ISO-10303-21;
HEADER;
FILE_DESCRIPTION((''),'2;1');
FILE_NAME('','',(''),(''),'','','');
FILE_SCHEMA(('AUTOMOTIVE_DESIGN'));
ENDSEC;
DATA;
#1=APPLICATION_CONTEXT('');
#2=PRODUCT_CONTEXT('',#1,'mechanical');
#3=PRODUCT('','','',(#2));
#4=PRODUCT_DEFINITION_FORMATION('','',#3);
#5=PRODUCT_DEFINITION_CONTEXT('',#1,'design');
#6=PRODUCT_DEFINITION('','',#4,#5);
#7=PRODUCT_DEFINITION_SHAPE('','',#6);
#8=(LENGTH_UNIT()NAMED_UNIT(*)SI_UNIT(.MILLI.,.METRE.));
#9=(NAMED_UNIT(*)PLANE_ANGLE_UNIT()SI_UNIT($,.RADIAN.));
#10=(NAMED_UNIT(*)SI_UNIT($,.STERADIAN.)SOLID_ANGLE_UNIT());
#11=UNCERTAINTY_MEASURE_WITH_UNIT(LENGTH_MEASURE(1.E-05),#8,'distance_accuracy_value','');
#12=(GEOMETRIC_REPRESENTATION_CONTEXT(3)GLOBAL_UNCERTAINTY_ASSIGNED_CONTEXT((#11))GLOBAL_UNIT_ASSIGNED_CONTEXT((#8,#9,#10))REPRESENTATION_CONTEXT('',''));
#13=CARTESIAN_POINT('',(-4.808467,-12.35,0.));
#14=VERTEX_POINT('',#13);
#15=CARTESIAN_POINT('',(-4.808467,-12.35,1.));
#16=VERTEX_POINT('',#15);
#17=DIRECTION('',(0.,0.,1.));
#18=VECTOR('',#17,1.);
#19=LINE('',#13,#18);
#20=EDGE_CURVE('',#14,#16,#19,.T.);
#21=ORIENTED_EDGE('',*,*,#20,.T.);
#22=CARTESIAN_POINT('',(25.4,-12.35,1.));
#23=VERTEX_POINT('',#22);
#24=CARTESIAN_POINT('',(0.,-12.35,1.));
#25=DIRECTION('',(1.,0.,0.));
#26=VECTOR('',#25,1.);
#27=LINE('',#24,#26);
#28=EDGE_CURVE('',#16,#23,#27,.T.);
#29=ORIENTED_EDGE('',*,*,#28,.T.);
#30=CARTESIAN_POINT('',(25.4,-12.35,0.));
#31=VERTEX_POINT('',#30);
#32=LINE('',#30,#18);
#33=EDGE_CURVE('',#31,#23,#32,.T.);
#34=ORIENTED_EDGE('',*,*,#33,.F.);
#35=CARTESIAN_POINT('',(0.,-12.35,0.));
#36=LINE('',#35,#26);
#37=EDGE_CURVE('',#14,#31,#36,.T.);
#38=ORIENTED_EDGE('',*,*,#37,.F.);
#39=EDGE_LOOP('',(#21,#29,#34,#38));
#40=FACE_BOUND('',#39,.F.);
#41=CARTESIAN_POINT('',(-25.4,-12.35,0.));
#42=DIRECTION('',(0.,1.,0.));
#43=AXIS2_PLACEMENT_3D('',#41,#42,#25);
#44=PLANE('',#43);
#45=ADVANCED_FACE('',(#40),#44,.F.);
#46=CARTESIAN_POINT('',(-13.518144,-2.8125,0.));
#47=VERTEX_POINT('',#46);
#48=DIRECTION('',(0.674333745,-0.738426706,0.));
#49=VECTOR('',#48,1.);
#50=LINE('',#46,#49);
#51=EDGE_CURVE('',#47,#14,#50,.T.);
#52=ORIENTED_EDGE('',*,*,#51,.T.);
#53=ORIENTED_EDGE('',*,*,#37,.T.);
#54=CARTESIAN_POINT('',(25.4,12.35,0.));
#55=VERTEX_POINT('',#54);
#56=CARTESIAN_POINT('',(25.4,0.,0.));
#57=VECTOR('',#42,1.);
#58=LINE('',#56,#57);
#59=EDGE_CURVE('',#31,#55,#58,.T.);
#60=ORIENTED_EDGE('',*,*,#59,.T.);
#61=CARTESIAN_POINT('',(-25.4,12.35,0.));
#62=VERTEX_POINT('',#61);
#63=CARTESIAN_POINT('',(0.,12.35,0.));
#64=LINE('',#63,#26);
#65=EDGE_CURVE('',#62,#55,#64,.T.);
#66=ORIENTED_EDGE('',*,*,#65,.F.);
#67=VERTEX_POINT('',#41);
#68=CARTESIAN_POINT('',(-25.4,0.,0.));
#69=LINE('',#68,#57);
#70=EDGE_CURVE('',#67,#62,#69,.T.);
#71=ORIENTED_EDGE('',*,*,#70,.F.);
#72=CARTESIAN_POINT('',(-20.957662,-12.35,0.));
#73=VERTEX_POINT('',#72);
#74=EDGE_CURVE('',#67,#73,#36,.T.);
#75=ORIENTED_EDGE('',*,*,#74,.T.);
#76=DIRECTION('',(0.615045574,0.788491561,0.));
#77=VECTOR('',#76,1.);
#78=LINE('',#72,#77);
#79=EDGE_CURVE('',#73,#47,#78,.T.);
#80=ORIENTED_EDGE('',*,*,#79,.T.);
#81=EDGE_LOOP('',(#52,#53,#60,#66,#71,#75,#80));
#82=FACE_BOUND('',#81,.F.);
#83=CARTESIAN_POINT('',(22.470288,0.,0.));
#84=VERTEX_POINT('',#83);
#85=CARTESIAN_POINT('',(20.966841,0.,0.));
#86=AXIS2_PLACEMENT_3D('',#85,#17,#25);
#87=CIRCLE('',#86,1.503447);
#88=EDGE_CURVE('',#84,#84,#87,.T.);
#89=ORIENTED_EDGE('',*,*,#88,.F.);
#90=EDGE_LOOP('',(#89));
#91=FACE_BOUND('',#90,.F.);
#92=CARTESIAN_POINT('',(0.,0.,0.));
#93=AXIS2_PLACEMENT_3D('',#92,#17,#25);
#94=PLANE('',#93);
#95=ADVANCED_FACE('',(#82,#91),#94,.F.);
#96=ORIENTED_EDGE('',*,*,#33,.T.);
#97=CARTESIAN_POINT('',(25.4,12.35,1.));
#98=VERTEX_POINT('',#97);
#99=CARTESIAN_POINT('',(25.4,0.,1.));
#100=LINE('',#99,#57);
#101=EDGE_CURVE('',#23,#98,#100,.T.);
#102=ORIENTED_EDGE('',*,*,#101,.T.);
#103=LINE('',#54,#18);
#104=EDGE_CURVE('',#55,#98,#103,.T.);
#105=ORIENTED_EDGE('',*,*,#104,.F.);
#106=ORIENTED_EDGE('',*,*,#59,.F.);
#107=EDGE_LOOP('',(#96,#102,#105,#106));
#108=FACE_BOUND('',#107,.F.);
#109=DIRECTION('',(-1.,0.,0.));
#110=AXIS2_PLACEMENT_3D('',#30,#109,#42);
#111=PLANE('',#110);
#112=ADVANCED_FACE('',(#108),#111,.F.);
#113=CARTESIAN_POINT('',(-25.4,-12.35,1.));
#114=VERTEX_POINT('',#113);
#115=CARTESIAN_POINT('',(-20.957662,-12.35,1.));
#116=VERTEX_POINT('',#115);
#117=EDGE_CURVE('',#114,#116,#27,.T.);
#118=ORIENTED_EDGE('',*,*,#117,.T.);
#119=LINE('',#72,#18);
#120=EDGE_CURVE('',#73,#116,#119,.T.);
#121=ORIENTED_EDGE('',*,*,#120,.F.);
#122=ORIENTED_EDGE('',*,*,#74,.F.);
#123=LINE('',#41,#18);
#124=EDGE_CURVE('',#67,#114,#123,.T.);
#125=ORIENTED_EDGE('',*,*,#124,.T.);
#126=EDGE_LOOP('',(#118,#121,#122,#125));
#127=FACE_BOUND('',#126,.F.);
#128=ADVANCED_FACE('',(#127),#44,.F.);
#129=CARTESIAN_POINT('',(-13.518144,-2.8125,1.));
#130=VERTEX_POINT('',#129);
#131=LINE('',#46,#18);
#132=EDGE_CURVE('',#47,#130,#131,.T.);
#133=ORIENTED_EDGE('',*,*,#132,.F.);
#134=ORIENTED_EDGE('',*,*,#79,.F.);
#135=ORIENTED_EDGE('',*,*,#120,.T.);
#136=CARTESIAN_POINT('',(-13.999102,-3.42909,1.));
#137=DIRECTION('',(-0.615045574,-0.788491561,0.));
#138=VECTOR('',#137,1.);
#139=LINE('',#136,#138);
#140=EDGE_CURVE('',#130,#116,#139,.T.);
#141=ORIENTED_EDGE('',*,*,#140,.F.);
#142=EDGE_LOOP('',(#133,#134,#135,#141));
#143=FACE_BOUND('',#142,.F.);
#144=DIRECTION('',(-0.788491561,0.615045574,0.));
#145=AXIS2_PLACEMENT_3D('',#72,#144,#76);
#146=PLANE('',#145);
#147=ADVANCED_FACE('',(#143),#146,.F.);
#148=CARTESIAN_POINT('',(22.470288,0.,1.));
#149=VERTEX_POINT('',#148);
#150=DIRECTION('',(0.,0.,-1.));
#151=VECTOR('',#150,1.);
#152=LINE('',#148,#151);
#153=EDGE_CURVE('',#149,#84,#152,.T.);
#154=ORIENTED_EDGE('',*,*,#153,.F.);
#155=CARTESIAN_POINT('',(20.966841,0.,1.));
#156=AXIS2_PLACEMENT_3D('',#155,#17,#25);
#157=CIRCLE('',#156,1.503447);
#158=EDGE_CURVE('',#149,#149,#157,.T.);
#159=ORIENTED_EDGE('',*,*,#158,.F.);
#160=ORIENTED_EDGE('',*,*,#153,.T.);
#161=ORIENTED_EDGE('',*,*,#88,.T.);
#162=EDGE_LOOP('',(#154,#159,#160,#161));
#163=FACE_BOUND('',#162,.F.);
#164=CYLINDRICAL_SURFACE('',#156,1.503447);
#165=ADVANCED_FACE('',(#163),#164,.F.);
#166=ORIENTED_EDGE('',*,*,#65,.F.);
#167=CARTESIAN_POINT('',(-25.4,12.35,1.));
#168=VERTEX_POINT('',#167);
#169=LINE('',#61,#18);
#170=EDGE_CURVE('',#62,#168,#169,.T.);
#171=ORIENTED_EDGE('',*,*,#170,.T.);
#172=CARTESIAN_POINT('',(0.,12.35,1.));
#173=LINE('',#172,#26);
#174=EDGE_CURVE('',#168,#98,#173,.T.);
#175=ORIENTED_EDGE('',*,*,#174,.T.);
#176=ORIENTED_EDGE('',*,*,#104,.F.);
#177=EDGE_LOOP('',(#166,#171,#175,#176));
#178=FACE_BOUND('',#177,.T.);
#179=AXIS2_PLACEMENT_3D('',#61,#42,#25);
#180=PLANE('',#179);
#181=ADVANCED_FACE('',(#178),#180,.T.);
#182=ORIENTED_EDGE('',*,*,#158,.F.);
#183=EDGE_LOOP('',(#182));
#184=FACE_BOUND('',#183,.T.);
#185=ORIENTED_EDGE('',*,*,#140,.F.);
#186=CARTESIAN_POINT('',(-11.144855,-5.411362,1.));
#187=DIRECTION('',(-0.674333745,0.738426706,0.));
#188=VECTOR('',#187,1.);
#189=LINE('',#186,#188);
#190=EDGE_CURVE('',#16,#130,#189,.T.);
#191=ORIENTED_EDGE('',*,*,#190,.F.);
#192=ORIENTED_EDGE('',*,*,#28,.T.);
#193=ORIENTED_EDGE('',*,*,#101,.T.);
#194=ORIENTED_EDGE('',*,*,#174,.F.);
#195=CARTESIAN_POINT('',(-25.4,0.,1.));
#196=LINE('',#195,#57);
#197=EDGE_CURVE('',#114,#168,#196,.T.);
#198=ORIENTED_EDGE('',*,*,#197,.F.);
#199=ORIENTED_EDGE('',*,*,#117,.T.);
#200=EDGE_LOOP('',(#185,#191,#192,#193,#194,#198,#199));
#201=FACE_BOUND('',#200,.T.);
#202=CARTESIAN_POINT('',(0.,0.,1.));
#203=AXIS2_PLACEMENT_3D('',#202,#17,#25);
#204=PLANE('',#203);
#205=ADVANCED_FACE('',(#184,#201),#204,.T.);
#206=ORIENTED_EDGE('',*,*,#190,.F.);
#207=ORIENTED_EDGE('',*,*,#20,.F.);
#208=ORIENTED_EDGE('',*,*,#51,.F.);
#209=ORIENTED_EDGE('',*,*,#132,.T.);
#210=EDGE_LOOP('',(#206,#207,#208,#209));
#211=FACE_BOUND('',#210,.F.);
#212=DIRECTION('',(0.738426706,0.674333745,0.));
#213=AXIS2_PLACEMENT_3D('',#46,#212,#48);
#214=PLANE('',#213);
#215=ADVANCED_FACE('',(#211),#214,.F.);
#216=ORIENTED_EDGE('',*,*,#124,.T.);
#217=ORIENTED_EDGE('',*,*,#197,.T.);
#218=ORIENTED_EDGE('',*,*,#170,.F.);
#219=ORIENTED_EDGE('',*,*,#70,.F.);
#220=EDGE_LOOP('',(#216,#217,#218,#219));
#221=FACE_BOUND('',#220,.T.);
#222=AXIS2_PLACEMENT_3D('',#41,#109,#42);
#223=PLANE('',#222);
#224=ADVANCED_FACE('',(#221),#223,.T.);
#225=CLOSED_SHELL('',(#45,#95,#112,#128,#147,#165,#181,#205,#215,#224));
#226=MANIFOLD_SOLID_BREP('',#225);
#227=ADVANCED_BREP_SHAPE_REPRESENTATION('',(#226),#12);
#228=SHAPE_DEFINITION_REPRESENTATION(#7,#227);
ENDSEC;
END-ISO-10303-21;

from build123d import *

# Parameters (mm, degrees)
F0_W     = 50.8
F0_H     = 24.7
F1_DEPTH = 1
F2_R     = 1.503447
F3_DEPTH = 25
F5_DEPTH = 25


with BuildPart() as f1:
    # F0 (on Top) → F1 (new body)
    with BuildSketch(Plane.XY):
        Rectangle(F0_W, F0_H)
    extrude(amount=F1_DEPTH)

    # F2 (on face) → F3 (cut)
    with BuildSketch(Plane.XY.offset(1)):
        with Locations((20.966841, 0)):
            Circle(F2_R)
    extrude(amount=-F3_DEPTH, mode=Mode.SUBTRACT)

    # F4 (on face) → F5 (cut)
    with BuildSketch(Plane(origin=(0, 0, 0), x_dir=(1, 0, 0), z_dir=(0, 0, -1))):
        Polygon((-13.518144, 21.329358), (-20.957662, 12.35), (-13.518144, 2.8125), (-4.808467, 12.35), align=None)
    extrude(amount=-F5_DEPTH, mode=Mode.SUBTRACT)


solid = f1.part
